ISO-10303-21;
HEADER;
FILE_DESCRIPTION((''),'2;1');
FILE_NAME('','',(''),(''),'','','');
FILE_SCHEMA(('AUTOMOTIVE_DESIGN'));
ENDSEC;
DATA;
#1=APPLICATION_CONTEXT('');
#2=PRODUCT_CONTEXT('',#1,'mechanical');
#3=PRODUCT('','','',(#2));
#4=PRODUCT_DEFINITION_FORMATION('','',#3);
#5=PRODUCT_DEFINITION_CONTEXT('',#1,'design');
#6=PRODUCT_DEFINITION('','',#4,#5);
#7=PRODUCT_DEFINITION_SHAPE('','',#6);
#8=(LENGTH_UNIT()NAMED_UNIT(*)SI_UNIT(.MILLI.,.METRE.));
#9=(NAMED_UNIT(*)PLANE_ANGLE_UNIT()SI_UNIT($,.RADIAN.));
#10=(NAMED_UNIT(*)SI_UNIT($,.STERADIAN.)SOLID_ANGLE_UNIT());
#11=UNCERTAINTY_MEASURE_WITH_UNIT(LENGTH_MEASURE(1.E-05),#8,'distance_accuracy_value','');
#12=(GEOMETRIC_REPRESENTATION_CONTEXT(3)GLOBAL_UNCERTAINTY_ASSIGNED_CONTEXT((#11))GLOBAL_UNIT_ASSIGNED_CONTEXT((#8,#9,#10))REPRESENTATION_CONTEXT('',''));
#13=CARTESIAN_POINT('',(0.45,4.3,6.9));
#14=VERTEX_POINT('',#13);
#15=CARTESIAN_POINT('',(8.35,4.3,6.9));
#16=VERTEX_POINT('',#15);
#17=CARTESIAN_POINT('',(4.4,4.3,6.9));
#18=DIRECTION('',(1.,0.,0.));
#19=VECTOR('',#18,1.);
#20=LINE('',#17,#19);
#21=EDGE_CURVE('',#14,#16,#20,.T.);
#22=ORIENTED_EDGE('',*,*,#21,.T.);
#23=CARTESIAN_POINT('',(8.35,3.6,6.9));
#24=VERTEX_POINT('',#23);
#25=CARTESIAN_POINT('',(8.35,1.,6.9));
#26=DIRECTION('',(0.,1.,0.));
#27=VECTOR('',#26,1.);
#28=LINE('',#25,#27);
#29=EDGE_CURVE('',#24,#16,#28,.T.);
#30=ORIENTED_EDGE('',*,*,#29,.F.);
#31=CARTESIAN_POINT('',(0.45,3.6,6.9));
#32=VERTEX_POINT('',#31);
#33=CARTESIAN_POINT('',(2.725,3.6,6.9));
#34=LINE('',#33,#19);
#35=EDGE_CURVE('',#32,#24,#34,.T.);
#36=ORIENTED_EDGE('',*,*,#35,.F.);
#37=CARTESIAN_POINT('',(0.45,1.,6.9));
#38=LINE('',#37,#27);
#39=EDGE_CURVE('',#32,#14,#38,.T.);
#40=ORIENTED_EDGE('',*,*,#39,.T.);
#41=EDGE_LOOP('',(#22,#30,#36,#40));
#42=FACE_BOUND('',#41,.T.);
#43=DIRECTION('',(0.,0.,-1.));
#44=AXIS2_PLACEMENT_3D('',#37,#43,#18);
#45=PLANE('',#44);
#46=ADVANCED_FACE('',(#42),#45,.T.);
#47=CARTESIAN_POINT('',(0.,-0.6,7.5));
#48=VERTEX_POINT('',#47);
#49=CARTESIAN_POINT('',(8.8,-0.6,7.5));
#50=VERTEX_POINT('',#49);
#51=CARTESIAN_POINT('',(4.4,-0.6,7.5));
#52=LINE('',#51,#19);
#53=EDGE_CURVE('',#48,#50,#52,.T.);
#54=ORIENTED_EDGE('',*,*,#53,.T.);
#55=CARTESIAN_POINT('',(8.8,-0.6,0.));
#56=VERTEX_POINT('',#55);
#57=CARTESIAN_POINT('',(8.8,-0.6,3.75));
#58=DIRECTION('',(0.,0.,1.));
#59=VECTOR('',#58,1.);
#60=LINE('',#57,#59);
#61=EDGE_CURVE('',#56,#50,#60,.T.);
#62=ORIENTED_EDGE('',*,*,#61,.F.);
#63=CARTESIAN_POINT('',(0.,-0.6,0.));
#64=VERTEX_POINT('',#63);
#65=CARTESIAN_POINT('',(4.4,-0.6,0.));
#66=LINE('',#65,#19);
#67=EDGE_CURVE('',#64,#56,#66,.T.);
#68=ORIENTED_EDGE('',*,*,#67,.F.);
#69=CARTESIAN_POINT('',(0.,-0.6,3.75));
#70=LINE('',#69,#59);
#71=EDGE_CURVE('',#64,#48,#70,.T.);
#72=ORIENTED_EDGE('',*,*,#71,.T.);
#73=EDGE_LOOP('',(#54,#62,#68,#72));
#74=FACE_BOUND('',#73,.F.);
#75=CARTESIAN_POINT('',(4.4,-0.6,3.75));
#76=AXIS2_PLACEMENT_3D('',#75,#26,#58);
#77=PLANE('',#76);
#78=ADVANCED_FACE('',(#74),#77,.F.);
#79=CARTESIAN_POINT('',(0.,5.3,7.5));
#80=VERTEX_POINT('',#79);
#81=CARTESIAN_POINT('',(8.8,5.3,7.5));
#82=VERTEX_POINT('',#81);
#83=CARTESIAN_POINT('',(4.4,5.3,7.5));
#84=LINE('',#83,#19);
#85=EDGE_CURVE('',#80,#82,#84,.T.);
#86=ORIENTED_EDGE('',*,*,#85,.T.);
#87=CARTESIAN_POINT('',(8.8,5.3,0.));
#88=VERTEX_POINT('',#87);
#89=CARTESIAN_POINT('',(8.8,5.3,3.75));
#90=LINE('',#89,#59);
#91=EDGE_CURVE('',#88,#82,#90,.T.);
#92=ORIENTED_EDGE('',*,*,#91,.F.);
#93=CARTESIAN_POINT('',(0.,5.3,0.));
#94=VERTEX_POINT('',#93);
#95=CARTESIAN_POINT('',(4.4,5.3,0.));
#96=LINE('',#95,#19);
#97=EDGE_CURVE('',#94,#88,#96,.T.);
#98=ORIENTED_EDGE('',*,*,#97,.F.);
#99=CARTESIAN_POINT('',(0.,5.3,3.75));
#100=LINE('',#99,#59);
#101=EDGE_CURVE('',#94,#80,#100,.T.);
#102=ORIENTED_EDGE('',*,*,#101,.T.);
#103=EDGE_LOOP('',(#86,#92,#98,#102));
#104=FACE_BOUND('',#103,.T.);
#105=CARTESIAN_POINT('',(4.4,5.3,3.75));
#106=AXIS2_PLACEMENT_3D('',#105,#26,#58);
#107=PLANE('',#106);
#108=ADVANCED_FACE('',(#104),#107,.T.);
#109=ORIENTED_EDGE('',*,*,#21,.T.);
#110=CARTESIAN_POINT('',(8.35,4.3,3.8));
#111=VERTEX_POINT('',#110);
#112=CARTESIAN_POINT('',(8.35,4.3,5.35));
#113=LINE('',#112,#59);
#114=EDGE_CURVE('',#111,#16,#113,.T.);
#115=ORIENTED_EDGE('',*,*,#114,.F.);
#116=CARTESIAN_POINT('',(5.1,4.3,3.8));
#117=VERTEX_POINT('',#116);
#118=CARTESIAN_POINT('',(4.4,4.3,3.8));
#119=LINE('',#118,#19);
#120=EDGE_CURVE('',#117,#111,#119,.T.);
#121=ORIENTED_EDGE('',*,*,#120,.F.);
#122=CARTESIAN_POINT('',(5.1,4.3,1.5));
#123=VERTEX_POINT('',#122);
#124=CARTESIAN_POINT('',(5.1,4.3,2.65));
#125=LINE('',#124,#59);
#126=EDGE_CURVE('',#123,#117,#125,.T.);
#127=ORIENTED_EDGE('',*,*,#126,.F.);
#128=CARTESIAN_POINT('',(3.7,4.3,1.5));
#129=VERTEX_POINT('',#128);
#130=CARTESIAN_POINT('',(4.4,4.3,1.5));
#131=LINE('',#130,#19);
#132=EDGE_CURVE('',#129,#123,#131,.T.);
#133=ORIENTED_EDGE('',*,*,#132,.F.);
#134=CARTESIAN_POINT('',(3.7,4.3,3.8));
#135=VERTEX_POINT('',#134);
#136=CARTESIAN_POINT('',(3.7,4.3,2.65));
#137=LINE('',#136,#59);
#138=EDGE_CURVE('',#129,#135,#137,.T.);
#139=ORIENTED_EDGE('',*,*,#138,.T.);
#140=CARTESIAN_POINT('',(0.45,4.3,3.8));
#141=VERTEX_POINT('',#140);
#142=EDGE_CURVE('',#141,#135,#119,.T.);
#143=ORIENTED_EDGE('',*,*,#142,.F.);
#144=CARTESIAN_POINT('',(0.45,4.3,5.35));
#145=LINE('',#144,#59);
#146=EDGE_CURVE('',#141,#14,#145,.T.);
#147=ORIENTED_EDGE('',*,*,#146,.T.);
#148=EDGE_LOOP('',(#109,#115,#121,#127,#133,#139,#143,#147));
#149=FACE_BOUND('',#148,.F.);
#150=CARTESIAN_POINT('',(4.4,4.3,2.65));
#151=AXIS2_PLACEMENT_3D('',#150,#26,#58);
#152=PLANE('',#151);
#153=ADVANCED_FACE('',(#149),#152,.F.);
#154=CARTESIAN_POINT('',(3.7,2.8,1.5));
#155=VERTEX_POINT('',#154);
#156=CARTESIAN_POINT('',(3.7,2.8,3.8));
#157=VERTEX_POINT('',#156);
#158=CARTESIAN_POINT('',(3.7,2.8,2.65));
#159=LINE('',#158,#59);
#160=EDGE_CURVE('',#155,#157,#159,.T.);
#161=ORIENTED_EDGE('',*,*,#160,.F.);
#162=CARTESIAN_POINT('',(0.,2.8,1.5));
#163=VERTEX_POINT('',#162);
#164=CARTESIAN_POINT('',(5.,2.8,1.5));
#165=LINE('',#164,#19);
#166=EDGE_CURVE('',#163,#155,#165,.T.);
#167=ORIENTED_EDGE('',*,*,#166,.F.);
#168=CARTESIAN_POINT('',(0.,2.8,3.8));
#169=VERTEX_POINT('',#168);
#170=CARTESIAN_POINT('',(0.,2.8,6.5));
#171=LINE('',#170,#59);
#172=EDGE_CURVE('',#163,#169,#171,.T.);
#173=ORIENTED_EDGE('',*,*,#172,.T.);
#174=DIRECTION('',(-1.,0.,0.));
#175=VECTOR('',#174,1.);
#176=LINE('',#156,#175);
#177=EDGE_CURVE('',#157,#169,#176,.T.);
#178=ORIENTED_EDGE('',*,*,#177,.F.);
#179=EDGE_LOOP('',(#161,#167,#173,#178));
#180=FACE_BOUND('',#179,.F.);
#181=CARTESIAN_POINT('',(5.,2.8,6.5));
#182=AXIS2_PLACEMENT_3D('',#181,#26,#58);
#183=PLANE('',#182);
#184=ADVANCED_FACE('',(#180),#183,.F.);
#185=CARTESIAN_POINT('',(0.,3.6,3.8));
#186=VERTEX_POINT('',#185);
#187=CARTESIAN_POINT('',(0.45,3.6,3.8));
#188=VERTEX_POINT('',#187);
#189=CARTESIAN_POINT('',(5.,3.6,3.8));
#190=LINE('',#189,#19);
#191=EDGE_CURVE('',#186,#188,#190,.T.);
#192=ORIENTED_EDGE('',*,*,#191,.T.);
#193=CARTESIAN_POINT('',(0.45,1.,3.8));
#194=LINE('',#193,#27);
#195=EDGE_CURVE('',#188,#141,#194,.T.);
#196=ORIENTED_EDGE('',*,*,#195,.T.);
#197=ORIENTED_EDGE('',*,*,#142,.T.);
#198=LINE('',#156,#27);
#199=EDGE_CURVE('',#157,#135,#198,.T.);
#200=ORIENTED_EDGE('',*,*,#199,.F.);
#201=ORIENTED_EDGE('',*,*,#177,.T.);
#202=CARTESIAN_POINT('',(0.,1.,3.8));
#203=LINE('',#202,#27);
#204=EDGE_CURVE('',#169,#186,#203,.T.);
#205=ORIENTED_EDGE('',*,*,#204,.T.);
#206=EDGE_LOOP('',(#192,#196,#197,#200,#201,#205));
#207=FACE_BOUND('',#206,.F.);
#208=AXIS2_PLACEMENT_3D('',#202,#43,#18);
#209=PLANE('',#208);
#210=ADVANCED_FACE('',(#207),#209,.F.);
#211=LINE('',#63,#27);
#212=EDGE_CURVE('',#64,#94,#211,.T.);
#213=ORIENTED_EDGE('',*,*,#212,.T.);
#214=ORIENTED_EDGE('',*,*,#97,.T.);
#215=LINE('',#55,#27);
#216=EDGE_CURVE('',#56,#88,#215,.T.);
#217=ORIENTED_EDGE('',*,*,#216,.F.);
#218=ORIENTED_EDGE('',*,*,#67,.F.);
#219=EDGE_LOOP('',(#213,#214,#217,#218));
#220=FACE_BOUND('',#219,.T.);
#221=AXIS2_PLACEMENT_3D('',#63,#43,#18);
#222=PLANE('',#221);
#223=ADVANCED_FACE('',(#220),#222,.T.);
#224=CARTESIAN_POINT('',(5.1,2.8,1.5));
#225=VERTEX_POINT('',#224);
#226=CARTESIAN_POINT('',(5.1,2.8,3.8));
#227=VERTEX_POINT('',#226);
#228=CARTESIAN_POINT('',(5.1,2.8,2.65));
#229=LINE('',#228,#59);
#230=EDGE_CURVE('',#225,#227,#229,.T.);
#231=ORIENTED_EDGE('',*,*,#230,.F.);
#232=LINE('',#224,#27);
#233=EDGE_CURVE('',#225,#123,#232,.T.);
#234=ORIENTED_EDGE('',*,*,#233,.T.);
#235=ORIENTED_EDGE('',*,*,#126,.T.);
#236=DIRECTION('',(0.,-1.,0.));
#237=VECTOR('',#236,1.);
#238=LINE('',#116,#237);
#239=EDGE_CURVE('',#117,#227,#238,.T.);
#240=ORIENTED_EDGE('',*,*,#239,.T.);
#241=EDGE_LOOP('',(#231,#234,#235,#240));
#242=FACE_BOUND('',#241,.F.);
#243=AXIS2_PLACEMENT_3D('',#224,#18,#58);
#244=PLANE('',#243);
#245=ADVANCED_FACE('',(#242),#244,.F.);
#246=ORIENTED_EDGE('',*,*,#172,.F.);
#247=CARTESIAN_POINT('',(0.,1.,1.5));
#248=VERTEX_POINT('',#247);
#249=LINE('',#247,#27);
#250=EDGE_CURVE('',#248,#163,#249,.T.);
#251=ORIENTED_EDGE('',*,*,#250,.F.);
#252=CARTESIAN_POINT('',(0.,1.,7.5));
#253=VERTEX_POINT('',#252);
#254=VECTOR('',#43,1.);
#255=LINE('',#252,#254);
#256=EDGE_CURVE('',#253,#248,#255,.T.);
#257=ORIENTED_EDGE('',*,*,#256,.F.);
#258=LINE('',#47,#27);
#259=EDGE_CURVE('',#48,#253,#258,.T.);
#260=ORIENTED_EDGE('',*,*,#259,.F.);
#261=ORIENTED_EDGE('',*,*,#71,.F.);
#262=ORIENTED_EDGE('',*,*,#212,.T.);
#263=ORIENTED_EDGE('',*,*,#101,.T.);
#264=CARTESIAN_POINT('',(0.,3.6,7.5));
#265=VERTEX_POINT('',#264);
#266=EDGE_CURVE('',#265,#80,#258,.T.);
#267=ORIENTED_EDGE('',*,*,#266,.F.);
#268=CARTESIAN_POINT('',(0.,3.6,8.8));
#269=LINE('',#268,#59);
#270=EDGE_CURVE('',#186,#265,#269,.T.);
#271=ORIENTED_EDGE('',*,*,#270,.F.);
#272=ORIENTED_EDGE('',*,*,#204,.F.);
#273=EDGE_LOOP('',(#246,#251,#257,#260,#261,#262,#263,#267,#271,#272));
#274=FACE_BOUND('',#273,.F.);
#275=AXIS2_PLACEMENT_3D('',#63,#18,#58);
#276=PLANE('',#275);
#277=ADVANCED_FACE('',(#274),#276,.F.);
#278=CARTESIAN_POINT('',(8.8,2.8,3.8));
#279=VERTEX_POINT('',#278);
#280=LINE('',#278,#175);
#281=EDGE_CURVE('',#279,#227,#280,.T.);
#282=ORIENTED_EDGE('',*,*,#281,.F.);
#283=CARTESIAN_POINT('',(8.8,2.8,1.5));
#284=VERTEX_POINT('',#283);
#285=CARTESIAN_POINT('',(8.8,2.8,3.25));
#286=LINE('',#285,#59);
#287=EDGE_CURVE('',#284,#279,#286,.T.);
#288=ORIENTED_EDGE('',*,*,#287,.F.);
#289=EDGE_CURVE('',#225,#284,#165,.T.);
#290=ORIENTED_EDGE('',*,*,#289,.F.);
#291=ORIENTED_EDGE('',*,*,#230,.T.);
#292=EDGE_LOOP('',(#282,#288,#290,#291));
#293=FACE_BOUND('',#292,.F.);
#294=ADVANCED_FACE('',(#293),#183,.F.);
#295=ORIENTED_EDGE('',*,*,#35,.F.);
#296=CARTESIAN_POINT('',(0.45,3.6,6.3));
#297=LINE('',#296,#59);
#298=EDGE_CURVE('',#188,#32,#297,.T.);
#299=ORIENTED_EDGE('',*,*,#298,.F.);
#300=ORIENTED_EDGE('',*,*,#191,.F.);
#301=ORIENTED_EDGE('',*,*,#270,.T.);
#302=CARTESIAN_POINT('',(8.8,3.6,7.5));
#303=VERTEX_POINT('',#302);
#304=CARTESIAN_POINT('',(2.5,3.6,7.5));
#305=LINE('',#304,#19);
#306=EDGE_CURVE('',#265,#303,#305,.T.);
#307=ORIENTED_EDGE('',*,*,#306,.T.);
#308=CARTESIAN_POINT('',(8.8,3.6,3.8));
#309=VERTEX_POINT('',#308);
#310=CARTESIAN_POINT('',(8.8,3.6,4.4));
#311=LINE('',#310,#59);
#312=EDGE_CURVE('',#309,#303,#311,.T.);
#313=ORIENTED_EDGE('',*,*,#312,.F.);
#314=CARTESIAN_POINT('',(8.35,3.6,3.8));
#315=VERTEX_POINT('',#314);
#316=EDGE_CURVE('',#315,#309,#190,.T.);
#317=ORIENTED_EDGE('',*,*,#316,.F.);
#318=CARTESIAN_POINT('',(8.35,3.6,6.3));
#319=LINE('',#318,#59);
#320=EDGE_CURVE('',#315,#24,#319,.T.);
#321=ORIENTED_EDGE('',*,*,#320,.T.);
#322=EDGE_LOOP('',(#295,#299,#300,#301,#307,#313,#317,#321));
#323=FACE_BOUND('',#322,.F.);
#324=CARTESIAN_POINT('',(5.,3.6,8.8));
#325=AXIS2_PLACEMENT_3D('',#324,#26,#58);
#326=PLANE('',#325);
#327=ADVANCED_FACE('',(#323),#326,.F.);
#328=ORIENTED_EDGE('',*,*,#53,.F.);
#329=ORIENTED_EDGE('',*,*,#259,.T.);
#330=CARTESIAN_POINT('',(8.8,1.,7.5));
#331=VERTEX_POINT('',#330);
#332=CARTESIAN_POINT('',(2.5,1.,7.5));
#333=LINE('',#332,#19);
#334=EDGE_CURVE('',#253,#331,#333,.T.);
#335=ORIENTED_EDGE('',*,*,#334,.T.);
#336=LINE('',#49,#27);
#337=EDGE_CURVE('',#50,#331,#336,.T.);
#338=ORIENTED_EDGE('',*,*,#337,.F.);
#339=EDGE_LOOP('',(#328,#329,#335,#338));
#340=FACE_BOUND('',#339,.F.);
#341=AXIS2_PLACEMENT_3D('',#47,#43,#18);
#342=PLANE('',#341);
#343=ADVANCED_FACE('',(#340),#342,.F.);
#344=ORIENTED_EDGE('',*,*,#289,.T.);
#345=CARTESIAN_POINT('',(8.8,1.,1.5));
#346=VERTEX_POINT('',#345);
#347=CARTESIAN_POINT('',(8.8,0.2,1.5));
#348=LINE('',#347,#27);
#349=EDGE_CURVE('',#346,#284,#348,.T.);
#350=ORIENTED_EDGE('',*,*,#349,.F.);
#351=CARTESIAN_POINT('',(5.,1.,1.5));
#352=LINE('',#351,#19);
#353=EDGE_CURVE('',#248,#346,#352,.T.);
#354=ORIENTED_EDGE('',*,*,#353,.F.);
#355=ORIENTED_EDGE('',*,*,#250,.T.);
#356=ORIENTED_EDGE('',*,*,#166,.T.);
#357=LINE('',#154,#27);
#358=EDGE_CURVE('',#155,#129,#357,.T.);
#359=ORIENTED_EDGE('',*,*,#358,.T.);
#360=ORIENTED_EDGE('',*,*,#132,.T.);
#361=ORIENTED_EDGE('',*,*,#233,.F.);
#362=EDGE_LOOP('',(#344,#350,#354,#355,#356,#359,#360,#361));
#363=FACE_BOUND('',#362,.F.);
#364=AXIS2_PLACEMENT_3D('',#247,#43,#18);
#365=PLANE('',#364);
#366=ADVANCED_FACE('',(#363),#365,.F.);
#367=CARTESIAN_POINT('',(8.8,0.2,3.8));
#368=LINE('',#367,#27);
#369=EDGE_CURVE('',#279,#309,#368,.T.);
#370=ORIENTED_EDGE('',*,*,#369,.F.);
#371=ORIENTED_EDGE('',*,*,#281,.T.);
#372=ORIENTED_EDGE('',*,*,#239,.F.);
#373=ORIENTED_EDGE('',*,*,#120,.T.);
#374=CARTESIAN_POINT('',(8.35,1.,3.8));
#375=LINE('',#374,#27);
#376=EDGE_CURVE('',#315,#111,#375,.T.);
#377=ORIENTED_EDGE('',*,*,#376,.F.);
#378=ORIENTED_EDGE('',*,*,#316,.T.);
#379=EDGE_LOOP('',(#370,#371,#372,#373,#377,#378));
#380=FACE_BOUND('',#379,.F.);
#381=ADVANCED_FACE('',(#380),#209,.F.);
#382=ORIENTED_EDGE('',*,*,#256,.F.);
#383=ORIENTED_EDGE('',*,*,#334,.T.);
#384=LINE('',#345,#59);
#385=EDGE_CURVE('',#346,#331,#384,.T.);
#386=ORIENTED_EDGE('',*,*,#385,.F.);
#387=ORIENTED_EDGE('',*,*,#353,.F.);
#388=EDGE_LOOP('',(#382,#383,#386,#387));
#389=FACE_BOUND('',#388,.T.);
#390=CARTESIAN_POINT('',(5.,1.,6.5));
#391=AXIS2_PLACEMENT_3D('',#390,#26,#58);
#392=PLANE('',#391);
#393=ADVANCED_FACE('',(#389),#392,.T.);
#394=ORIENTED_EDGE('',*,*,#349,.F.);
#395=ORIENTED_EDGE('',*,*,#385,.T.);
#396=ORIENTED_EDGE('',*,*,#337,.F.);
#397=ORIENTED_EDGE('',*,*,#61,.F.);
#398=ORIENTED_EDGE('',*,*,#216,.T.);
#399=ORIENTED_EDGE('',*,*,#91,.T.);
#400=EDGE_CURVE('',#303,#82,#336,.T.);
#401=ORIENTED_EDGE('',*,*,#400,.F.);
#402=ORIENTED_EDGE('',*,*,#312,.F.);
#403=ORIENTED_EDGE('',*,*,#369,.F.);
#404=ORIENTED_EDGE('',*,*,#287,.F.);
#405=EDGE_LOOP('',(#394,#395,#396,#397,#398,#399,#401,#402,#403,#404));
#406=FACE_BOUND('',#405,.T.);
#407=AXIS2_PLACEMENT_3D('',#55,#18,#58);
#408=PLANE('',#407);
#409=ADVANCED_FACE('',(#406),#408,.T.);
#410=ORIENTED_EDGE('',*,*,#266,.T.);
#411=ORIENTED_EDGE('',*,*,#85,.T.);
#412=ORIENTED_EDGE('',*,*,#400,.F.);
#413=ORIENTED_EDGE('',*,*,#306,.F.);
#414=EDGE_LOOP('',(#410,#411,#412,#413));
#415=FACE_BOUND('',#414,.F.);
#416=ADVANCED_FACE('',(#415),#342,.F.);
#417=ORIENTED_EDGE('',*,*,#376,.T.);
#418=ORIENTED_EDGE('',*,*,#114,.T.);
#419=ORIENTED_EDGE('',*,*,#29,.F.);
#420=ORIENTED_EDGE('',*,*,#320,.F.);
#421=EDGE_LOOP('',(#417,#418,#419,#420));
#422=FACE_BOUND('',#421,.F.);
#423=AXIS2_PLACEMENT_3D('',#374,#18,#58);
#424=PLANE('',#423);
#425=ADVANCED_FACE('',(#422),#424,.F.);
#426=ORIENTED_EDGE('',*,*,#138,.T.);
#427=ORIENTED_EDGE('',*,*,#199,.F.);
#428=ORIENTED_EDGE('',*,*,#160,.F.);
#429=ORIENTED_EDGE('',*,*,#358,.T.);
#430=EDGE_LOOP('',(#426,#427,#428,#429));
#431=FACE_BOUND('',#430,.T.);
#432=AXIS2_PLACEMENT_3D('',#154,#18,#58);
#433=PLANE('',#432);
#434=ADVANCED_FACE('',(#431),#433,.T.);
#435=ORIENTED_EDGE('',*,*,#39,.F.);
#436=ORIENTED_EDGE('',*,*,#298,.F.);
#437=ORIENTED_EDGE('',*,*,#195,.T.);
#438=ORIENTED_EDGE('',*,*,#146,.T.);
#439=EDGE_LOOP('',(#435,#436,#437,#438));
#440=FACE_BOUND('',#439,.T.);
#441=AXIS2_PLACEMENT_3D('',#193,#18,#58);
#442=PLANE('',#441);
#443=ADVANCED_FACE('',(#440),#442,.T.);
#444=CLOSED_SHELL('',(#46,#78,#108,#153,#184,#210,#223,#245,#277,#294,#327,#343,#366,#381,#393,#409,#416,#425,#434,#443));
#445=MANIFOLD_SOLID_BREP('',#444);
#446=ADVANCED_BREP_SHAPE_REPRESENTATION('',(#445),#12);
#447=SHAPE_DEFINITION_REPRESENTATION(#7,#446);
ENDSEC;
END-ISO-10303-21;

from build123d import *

# Parameters (mm, degrees)
BOX_W                = 7.5
BOX_H                = 8.8
BOX_DEPTH            = 5.9
BOX001_W             = 10
BOX001_H             = 10
BOX001_DEPTH         = 1.8
BOX002_W             = 3.1
BOX002_H             = 7.9
BOX002_DEPTH         = 3.3
BOX003_W             = 2.3
BOX003_H             = 1.4
BOX003_DEPTH         = 1.5
BOX004_W             = 10
BOX004_H             = 10
BOX004_DEPTH         = 2.6
BODY_PITCH_ANGLE     = -90
BODY_PLACEMENT_ANGLE = -90


with BuildPart() as part:
    # Box → Box (join)
    with BuildSketch(Plane.XY.offset(-0.6)):
        with Locations((3.75, 4.4)):
            Rectangle(BOX_W, BOX_H)
    extrude(amount=BOX_DEPTH)

    # Box001 → Box001 (cut)
    with BuildSketch(Plane(origin=(1.5, 0, 1), x_dir=(1, 0, 0), z_dir=(0, 0, 1))):
        with Locations((5, 5)):
            Rectangle(BOX001_W, BOX001_H)
    extrude(amount=BOX001_DEPTH, mode=Mode.SUBTRACT)

    # Box002 → Box002 (cut)
    with BuildSketch(Plane(origin=(3.8, 0.45, 1), x_dir=(1, 0, 0), z_dir=(0, 0, 1))):
        with Locations((1.55, 3.95)):
            Rectangle(BOX002_W, BOX002_H)
    extrude(amount=BOX002_DEPTH, mode=Mode.SUBTRACT)

    # Box003 → Box003 (cut)
    with BuildSketch(Plane(origin=(1.5, 3.7, 2.8), x_dir=(1, 0, 0), z_dir=(0, 0, 1))):
        with Locations((1.15, 0.7)):
            Rectangle(BOX003_W, BOX003_H)
    extrude(amount=BOX003_DEPTH, mode=Mode.SUBTRACT)

    # Box004 → Box004 (cut)
    with BuildSketch(Plane(origin=(3.8, 0, 1), x_dir=(1, 0, 0), z_dir=(0, 0, 1))):
        with Locations((5, 5)):
            Rectangle(BOX004_W, BOX004_H)
    extrude(amount=BOX004_DEPTH, mode=Mode.SUBTRACT)


with BuildPart() as part_1:
    # Body pitch: moved
    add(part.part.rotate(Axis((0, 0, 0), (0, 1, 0)), BODY_PITCH_ANGLE))


with BuildPart() as part_2:
    # Body placement: moved
    add(part_1.part.rotate(Axis((0, 0, 0), (0, 0, 1)), BODY_PLACEMENT_ANGLE))


solid = part_2.part
